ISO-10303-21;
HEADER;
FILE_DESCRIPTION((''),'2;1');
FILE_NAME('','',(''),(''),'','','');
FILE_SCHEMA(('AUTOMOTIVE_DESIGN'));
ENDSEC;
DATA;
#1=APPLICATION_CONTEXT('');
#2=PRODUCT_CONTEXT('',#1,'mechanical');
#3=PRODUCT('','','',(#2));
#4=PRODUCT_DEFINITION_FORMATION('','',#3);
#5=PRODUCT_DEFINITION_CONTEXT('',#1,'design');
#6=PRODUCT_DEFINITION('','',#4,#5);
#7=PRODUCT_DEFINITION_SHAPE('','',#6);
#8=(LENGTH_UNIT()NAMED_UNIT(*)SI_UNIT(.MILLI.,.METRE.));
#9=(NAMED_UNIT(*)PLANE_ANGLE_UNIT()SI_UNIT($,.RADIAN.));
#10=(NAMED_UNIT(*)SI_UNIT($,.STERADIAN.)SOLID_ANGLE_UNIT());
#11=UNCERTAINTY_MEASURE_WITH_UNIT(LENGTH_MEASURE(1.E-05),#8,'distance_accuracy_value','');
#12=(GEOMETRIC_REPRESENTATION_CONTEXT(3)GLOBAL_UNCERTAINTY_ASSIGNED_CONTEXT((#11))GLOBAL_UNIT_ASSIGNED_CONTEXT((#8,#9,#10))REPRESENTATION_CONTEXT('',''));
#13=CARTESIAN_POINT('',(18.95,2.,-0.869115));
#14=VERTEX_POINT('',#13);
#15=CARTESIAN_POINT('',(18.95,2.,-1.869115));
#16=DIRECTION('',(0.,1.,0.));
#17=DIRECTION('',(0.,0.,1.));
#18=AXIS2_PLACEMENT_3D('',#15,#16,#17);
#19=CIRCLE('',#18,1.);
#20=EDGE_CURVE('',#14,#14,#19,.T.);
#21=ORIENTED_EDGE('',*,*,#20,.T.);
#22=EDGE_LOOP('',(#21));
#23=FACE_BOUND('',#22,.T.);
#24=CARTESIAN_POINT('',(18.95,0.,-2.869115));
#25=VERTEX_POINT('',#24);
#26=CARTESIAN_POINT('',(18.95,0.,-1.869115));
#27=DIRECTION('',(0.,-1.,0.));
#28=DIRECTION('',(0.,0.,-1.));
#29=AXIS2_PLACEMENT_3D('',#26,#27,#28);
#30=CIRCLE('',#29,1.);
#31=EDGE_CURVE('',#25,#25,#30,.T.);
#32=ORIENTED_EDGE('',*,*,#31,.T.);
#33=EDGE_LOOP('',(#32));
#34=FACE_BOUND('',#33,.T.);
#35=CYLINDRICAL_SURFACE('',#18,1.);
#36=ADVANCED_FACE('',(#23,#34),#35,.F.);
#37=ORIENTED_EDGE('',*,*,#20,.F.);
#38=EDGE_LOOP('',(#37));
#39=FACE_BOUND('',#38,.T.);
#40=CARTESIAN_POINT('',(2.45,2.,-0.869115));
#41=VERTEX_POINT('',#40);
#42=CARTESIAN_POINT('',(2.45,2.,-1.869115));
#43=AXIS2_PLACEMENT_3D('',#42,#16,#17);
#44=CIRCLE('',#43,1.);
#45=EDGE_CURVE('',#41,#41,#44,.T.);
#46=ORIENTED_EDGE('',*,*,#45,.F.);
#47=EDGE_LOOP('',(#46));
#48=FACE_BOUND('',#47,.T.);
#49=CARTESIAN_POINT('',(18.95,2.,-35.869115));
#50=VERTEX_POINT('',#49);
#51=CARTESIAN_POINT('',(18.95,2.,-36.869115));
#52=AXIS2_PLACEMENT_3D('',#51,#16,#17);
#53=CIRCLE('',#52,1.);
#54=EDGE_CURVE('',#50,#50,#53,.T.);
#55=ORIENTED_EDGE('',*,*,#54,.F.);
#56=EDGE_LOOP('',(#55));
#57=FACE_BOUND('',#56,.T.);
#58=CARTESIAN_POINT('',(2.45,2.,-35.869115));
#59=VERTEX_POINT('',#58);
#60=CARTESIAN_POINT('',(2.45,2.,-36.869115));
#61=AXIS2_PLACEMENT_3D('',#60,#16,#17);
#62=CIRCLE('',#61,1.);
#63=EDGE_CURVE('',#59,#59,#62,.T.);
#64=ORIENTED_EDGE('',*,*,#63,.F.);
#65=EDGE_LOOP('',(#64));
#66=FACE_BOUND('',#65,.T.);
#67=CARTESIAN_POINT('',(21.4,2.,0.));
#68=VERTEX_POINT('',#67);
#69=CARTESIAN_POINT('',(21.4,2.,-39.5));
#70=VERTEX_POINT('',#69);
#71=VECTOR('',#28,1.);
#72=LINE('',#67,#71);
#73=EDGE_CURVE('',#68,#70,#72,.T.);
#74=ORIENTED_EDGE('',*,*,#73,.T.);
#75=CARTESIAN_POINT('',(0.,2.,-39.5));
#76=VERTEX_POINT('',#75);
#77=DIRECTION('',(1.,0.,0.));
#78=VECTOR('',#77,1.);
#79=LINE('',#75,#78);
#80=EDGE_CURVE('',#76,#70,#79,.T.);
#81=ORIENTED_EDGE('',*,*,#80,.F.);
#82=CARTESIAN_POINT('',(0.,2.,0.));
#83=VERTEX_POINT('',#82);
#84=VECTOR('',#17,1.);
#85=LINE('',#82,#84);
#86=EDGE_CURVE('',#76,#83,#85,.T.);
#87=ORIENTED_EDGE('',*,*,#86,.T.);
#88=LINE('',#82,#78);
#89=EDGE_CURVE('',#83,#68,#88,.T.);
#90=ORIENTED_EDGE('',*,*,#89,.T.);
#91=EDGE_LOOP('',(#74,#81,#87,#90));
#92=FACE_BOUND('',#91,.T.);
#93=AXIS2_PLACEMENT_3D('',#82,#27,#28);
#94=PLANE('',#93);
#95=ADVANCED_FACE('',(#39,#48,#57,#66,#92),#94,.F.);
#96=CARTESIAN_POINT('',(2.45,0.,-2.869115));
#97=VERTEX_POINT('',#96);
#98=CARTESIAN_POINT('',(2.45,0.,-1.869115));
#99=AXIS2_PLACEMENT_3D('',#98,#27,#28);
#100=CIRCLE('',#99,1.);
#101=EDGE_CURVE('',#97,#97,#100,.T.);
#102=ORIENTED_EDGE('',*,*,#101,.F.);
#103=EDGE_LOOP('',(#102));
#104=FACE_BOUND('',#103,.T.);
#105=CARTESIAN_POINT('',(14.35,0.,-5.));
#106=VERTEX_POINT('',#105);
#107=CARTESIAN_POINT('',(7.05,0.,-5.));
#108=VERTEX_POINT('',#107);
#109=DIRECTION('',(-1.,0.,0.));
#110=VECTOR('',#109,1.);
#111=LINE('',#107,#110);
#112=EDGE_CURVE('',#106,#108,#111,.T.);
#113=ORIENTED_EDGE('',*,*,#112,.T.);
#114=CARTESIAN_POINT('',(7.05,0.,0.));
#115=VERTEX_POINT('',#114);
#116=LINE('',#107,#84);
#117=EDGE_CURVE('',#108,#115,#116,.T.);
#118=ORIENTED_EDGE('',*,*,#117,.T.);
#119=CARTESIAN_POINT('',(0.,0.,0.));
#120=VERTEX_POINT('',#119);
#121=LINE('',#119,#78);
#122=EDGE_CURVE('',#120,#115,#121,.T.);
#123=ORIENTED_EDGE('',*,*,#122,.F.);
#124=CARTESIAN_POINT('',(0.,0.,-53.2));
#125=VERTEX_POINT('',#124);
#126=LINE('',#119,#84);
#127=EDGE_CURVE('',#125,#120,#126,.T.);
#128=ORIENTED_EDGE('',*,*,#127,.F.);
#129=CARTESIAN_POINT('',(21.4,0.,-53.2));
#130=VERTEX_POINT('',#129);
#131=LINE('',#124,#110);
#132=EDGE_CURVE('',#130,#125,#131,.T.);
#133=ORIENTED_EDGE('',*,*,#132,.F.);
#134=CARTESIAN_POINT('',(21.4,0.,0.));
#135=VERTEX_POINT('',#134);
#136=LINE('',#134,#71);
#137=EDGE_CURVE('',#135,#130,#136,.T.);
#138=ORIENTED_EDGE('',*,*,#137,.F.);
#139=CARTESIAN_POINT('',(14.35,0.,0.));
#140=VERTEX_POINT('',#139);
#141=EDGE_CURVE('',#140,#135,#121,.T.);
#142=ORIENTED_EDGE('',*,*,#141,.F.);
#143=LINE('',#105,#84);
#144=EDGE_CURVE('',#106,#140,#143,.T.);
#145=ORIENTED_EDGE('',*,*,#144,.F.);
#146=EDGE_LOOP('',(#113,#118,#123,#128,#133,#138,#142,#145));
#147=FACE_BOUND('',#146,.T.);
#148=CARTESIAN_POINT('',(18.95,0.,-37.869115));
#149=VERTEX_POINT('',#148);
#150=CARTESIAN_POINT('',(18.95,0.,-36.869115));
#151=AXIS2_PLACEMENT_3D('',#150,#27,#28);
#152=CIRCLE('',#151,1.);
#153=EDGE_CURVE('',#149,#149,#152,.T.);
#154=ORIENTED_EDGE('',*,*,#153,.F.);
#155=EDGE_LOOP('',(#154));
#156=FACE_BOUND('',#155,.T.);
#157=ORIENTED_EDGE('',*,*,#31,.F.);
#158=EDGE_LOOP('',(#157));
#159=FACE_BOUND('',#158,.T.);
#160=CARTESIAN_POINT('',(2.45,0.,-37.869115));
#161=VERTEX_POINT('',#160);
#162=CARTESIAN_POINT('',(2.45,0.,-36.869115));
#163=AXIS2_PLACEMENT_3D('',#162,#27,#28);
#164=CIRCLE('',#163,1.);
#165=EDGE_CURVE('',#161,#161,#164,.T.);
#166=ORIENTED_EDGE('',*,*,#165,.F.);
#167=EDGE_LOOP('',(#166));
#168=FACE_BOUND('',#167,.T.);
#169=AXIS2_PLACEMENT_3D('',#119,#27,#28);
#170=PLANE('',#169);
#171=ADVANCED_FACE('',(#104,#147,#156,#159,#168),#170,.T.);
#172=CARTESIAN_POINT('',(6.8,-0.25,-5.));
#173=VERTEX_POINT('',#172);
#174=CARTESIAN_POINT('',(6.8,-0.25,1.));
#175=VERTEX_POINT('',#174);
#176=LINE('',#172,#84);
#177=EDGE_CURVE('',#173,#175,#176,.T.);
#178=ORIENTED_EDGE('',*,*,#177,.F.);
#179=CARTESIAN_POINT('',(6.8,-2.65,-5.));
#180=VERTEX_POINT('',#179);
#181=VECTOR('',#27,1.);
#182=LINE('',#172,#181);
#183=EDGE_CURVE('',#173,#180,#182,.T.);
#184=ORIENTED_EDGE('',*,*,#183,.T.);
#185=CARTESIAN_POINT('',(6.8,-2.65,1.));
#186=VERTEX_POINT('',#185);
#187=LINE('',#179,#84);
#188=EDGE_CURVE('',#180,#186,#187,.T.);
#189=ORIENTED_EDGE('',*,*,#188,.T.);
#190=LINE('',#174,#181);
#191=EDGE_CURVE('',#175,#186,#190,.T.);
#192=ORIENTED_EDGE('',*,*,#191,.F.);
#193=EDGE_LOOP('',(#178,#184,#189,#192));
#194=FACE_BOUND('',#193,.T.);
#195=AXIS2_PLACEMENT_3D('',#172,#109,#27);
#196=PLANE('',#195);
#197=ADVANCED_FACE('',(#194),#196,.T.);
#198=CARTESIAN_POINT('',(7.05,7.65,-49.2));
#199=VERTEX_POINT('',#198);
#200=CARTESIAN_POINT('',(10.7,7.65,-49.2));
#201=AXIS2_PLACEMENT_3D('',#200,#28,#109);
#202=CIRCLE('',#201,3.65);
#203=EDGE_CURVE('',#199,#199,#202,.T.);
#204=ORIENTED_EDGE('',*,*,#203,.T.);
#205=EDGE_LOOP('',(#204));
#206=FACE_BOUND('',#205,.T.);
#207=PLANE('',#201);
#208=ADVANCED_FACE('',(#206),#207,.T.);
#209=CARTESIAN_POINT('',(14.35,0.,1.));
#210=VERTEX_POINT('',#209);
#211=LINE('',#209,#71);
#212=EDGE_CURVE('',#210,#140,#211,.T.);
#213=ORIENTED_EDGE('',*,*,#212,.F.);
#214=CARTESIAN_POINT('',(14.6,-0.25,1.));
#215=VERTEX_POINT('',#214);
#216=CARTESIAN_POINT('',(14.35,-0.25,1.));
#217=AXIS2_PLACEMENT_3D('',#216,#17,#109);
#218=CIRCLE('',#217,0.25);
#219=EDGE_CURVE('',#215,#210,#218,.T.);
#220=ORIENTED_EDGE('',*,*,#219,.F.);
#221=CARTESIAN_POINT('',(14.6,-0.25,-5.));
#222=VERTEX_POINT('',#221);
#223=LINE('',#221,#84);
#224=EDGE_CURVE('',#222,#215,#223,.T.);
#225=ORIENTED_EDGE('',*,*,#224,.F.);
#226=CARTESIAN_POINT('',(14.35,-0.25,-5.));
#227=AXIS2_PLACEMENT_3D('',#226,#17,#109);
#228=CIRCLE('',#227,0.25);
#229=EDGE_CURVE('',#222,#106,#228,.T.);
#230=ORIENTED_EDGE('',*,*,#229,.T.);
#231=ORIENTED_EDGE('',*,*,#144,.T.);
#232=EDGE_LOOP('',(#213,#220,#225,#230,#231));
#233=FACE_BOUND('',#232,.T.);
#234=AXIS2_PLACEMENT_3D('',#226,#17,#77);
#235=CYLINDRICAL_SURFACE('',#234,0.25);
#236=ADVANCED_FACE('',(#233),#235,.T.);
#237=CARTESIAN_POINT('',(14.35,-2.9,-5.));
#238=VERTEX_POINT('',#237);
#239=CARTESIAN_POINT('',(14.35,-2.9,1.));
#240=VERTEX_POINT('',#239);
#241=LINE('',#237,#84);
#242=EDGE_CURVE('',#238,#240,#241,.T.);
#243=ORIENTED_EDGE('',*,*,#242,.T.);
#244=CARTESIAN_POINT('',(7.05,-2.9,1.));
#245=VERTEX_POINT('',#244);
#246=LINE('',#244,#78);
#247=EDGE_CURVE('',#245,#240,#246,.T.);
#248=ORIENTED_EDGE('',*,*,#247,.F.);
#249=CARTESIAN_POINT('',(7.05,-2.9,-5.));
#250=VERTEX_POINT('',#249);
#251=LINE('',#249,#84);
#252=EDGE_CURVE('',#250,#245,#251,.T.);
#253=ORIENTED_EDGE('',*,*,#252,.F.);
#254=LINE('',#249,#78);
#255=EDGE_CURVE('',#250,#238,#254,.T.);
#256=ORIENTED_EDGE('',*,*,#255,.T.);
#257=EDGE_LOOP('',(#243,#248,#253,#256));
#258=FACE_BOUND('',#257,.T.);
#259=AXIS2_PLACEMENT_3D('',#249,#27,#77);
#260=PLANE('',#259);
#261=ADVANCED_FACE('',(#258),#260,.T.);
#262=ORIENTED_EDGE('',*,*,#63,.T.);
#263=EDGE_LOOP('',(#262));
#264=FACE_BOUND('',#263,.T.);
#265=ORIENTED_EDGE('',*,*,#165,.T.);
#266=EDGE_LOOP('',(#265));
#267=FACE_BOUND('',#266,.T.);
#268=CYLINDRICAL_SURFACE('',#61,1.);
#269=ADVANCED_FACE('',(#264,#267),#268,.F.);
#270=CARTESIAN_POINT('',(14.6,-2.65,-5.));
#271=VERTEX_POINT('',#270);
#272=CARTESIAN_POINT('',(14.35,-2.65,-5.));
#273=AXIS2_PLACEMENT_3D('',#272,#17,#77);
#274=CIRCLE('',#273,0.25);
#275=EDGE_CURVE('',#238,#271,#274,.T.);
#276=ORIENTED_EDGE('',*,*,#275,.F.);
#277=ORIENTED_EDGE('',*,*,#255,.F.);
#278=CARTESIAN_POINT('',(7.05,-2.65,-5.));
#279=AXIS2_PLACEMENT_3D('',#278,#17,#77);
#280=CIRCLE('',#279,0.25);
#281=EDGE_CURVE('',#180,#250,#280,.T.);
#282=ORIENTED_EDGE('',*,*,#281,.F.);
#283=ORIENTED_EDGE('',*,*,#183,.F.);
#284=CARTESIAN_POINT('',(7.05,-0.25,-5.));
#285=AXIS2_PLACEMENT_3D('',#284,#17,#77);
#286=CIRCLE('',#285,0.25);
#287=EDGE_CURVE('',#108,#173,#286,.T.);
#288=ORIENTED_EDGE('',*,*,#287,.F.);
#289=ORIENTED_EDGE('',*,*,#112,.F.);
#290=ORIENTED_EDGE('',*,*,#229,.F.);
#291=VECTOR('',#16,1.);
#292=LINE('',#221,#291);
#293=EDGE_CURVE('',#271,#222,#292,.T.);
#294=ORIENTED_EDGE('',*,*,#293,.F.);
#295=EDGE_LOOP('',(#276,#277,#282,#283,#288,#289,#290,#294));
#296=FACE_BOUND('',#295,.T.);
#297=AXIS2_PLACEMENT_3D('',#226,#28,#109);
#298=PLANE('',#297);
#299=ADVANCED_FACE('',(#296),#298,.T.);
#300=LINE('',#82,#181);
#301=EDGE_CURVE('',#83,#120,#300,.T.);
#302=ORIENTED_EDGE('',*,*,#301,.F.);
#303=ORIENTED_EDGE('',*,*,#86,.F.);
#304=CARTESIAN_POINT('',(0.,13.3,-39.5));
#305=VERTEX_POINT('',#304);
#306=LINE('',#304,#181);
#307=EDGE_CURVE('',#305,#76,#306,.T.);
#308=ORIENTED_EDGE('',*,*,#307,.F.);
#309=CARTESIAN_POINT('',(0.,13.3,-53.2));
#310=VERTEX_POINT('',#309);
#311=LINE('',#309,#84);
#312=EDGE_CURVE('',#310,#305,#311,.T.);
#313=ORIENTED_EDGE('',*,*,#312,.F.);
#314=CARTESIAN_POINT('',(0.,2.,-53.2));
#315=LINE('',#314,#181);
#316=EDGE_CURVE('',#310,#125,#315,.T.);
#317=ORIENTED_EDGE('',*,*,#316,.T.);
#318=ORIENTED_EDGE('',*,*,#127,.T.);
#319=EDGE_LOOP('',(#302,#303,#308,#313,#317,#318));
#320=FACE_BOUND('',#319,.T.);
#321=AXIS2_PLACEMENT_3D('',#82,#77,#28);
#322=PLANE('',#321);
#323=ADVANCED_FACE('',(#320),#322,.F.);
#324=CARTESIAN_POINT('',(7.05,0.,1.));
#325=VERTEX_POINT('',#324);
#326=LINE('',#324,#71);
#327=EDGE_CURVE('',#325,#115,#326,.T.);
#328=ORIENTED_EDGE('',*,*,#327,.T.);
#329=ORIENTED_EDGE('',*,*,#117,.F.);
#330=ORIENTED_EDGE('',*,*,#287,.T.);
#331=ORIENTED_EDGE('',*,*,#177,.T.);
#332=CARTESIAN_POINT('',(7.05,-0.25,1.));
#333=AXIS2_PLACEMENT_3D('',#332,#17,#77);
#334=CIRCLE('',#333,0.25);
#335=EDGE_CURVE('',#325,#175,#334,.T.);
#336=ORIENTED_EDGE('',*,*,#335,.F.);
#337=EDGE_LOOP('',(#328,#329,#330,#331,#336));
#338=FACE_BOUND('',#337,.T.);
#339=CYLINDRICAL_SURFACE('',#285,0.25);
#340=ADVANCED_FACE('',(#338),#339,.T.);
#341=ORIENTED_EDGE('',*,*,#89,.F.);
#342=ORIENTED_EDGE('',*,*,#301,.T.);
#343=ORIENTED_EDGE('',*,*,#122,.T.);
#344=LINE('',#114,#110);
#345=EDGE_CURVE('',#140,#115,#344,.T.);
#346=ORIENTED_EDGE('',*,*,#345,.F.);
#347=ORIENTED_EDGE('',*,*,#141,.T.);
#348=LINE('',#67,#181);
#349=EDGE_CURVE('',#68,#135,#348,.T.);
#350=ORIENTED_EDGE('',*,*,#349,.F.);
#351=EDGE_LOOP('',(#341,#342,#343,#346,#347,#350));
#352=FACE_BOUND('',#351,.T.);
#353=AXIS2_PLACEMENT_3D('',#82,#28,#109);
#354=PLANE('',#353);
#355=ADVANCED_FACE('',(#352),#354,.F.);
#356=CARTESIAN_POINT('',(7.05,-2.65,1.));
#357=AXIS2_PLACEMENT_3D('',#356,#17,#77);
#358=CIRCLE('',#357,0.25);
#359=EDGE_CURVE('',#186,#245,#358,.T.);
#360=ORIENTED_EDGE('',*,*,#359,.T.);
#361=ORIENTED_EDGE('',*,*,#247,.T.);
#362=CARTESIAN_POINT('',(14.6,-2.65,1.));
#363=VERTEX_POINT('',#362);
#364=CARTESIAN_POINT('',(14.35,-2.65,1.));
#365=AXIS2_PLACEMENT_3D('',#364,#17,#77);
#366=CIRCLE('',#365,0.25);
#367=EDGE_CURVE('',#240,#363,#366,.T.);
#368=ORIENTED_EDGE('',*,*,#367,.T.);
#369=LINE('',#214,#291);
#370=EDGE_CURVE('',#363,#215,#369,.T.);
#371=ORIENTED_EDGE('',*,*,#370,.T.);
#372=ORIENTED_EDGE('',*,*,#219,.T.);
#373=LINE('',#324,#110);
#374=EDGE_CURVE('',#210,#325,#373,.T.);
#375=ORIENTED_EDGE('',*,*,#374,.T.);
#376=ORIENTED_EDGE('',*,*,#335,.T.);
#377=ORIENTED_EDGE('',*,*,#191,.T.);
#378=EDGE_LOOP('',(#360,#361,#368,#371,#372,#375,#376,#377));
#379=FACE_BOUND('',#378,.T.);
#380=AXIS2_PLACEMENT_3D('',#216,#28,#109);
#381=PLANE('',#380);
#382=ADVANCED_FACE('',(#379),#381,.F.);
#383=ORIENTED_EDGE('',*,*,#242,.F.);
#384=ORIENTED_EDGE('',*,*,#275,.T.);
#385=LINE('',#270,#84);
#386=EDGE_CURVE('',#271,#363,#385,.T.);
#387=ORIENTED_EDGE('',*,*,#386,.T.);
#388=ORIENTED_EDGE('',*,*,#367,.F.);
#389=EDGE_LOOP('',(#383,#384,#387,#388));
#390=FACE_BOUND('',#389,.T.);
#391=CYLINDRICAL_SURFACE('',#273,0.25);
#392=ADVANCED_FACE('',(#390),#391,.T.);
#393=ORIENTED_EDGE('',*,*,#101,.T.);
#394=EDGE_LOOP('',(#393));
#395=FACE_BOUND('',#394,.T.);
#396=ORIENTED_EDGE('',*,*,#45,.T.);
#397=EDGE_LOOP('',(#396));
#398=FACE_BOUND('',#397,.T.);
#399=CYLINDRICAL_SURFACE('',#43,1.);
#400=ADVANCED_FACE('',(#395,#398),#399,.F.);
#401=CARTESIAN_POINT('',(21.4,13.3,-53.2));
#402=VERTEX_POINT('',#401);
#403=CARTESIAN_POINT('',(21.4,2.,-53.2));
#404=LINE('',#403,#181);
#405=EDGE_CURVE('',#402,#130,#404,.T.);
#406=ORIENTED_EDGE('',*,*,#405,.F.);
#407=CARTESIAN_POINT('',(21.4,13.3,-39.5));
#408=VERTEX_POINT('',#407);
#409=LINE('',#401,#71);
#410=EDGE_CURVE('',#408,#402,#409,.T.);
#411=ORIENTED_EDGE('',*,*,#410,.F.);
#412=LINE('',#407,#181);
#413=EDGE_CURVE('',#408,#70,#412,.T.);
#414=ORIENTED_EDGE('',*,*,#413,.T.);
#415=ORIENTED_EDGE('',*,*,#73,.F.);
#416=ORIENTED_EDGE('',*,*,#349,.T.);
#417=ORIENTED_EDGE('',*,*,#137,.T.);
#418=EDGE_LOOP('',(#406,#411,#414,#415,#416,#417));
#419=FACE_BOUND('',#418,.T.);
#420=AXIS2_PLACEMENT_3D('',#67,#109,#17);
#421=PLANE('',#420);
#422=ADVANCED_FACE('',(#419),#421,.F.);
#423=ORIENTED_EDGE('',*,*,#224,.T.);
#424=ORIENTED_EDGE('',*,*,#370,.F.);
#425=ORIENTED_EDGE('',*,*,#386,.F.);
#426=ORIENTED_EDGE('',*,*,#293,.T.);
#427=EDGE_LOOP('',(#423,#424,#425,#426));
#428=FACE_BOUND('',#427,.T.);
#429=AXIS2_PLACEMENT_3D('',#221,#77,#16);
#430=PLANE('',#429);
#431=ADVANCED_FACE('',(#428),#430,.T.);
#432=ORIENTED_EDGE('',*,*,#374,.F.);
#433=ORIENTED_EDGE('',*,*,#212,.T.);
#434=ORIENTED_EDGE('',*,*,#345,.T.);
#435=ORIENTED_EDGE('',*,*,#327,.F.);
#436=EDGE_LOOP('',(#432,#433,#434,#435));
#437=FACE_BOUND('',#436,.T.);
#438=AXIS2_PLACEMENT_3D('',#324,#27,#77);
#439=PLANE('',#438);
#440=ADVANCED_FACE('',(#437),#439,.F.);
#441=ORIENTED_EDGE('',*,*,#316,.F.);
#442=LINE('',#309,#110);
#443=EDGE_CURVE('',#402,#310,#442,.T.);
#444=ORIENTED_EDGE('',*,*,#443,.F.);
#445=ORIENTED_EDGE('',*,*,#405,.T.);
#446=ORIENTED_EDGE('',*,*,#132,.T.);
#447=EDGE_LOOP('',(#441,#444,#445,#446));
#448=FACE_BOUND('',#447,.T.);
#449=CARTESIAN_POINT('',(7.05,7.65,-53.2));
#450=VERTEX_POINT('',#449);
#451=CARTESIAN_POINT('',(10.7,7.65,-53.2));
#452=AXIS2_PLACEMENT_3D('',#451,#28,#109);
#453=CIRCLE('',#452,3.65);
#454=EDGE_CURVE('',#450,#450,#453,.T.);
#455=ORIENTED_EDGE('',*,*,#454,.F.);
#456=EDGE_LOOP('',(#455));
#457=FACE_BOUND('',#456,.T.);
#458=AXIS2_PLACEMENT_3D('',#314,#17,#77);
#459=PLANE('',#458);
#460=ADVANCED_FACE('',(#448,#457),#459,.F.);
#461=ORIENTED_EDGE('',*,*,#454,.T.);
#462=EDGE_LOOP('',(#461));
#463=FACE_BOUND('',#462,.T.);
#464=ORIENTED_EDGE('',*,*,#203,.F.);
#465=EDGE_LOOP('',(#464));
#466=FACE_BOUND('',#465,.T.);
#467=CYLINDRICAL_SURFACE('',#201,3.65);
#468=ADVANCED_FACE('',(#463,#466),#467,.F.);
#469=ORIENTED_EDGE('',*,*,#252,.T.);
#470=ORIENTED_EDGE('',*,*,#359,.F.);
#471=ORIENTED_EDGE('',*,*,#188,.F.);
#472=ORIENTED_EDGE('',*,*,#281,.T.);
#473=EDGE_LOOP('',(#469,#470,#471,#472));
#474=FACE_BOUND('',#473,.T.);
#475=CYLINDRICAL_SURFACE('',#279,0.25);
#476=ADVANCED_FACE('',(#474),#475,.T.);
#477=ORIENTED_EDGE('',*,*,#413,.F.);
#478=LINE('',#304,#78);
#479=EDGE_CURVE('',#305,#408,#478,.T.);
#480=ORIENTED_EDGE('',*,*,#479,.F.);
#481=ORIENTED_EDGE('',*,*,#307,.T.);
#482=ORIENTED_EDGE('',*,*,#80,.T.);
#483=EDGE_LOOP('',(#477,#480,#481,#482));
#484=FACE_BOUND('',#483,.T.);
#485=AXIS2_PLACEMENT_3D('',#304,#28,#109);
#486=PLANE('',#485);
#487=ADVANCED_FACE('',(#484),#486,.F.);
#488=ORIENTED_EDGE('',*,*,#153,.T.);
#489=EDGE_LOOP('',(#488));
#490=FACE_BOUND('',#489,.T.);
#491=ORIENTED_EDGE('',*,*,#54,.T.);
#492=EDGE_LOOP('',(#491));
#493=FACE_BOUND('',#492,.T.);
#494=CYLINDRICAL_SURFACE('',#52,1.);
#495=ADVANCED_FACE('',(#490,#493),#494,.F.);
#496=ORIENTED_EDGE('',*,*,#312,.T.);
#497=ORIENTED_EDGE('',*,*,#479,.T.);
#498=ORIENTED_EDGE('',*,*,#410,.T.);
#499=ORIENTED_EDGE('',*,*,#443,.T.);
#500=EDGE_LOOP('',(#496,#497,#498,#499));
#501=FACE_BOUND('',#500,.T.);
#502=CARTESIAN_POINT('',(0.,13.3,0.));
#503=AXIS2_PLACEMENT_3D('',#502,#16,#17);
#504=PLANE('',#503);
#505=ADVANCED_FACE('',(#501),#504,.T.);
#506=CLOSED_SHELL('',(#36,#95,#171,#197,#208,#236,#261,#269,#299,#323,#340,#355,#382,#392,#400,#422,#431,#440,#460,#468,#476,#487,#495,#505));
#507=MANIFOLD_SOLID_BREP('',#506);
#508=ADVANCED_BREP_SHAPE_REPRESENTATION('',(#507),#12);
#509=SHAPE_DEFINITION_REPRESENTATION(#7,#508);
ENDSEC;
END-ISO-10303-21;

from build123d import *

# Parameters (mm, degrees)
SKETCH1_W             = 21.4
SKETCH1_H             = 53.2
BOSS_EXTRUDE1_DEPTH   = 2
SKETCH2_W             = 21.4
SKETCH2_H             = 13.7
BOSS_EXTRUDE2_DEPTH   = 11.3
SKETCH3_R             = 3.65
CUT_EXTRUDE1_DEPTH    = 4
F_2_0MM_DOWEL_HOLE1_D = 2
BOSS_EXTRUDE3_DEPTH   = 1
BOSS_EXTRUDE4_DEPTH   = 5


with BuildPart() as part:
    # Sketch1 → Boss-Extrude1 (new body)
    with BuildSketch(Plane(origin=(0, 0, 0), x_dir=(1, 0, 0), z_dir=(0, 1, 0))):
        with Locations((10.7, 26.6)):
            Rectangle(SKETCH1_W, SKETCH1_H)
    extrude(amount=BOSS_EXTRUDE1_DEPTH)

    # Sketch2 → Boss-Extrude2 (add)
    with BuildSketch(Plane(origin=(0, 2, 0), x_dir=(1, 0, 0), z_dir=(0, 1, 0))):
        with Locations((10.7, 46.35)):
            Rectangle(SKETCH2_W, SKETCH2_H)
    extrude(amount=BOSS_EXTRUDE2_DEPTH)

    # Sketch3 → Cut-Extrude1 (cut)
    with BuildSketch(Plane(origin=(0, 0, -53.2), x_dir=(-1, 0, 0), z_dir=(0, 0, -1))):
        with Locations((-10.7, 7.65)):
            Circle(SKETCH3_R)
    extrude(amount=-CUT_EXTRUDE1_DEPTH, mode=Mode.SUBTRACT)

    # Ø2.0mm Dowel Hole1 (through all)
    with Locations(Plane(origin=(0, 2, 0), x_dir=(1, 0, 0), z_dir=(0, 1, 0))):
        with Locations((2.45, 36.869115366), (18.95, 36.869115366), (18.95, 1.869115366), (2.45, 1.869115366)):
            Hole(F_2_0MM_DOWEL_HOLE1_D / 2)



with BuildPart() as body_2:
    # Sketch10 → Boss-Extrude3 (new body)
    with BuildSketch(Plane.XY):
        with BuildLine():
            Line((7.05, 0), (14.35, 0))
            ThreePointArc((14.35, 0), (14.526776695, -0.073223305), (14.6, -0.25))
            Line((14.6, -0.25), (14.6, -2.65))
            ThreePointArc((14.6, -2.65), (14.526776695, -2.826776695), (14.35, -2.9))
            Line((14.35, -2.9), (7.05, -2.9))
            ThreePointArc((7.05, -2.9), (6.873223305, -2.826776695), (6.8, -2.65))
            Line((6.8, -2.65), (6.8, -0.25))
            ThreePointArc((6.8, -0.25), (6.873223305, -0.073223305), (7.05, 0))
        make_face()
    extrude(amount=BOSS_EXTRUDE3_DEPTH)


with BuildPart() as part_1:
    add(part.part)

    add(body_2.part)  # Boss-Extrude4 merges body 2
    # Sketch10<2> → Boss-Extrude4 (add)
    with BuildSketch(Plane.XY):
        with BuildLine():
            Line((7.05, 0), (14.35, 0))
            ThreePointArc((14.35, 0), (14.526776695, -0.073223305), (14.6, -0.25))
            Line((14.6, -0.25), (14.6, -2.65))
            ThreePointArc((14.6, -2.65), (14.526776695, -2.826776695), (14.35, -2.9))
            Line((14.35, -2.9), (7.05, -2.9))
            ThreePointArc((7.05, -2.9), (6.873223305, -2.826776695), (6.8, -2.65))
            Line((6.8, -2.65), (6.8, -0.25))
            ThreePointArc((6.8, -0.25), (6.873223305, -0.073223305), (7.05, 0))
        make_face()
    extrude(amount=-BOSS_EXTRUDE4_DEPTH)


solid = part_1.part
